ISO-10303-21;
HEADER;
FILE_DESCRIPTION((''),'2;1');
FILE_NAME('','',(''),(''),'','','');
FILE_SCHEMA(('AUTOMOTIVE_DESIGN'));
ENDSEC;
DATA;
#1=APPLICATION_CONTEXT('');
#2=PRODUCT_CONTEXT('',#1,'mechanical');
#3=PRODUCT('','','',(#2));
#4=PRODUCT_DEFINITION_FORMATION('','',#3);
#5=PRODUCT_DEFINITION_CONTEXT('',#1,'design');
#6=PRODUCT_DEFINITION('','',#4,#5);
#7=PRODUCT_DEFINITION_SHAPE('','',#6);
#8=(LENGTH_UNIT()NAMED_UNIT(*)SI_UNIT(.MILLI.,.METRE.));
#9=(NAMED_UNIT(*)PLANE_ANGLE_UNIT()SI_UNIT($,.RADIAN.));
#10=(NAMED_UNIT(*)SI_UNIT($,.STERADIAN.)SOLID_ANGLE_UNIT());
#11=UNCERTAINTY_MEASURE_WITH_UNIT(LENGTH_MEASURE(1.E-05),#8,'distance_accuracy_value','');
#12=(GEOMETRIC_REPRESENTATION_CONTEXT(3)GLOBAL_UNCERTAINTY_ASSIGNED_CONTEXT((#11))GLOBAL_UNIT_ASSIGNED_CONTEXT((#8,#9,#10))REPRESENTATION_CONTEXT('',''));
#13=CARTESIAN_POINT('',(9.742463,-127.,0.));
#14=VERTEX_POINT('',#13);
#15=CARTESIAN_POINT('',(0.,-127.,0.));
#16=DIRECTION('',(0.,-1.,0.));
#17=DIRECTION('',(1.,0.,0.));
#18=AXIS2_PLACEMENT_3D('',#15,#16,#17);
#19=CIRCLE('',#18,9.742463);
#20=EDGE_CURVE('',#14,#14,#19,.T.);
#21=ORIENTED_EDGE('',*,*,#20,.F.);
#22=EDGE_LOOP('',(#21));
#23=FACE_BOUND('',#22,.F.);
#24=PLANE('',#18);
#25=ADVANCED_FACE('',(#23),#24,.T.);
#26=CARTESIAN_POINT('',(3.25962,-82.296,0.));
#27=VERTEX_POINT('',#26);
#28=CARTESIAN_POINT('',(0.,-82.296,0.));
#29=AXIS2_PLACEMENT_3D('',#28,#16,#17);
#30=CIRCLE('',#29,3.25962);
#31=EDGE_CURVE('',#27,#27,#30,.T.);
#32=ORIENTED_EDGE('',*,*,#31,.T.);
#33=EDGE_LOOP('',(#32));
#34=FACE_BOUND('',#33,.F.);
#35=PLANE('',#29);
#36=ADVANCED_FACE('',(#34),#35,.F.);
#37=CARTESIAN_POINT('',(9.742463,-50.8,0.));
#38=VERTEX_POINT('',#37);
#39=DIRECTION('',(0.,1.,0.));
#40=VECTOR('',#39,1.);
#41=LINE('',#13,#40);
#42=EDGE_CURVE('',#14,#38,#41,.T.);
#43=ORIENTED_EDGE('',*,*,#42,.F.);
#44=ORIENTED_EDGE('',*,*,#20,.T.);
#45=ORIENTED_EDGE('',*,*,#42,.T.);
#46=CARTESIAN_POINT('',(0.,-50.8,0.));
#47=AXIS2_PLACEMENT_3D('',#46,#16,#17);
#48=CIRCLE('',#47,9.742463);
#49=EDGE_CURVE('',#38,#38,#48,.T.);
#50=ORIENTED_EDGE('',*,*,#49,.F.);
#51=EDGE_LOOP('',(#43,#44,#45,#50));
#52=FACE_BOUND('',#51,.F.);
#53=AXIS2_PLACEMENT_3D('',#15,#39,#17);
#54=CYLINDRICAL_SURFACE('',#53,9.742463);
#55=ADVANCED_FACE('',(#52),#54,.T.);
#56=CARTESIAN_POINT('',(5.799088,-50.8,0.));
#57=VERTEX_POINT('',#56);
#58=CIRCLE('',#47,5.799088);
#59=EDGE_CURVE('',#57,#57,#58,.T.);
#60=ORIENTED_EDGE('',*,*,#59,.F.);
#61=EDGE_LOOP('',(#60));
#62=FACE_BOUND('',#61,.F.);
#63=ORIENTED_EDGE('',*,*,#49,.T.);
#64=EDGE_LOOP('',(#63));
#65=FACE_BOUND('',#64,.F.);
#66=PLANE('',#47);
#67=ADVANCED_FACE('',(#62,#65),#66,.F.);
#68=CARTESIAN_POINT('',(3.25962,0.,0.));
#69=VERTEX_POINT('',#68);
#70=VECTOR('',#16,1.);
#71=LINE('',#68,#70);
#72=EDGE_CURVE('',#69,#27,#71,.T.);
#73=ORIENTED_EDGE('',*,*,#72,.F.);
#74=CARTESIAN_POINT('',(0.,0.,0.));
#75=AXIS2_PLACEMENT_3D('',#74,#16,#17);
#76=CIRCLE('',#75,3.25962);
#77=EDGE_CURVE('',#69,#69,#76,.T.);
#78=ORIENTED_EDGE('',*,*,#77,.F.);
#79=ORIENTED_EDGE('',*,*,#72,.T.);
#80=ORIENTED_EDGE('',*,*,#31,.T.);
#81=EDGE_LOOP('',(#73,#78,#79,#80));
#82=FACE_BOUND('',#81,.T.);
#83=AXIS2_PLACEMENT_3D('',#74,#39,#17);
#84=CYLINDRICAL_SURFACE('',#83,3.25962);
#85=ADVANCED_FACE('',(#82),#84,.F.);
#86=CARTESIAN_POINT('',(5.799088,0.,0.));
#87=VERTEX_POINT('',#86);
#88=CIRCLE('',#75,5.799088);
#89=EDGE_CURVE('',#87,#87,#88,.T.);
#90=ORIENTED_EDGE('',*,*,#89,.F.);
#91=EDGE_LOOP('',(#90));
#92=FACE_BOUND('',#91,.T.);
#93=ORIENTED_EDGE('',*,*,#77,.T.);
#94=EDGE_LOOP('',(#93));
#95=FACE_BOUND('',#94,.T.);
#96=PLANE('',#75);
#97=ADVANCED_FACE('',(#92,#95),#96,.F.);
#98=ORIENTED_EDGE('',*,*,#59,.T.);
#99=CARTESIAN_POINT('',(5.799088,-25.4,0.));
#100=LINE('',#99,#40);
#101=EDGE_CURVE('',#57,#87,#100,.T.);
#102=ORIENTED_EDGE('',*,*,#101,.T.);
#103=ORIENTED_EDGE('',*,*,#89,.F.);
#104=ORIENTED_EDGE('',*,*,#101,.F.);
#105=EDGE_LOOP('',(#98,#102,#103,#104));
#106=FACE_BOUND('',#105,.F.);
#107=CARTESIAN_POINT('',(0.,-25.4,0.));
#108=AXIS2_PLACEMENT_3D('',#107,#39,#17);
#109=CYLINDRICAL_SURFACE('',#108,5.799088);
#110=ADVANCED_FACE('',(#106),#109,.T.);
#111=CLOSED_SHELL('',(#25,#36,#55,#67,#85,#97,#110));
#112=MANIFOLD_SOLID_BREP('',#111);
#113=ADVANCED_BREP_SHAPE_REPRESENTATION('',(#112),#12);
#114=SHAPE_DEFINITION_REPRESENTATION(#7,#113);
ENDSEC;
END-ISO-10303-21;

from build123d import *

# Parameters (mm, degrees)
F0_W     = 5.799088
F0_H     = 50.8
F2_R     = 3.25962
F3_DEPTH = 82.296


with BuildPart() as f1:
    # F0 (on Top) → F1 (revolve)
    with BuildSketch(Plane.XY):
        with Locations((2.899544, -25.4)):
            Rectangle(F0_W, F0_H)
        Polygon((5.799088, -50.8), (0, -50.8), (0, -127), (9.742463, -127), (9.742463, -50.8), align=None)
    revolve(axis=Axis((0, -63.5, 0), (0, -1, 0)))


with BuildPart() as f3:
    # F2 (on Front) → F3 (new body)
    with BuildSketch(Plane.XZ):
        Circle(F2_R)
    extrude(amount=F3_DEPTH)


with BuildPart() as f1_1:
    add(f1.part)

    # F4: cut F3
    add(f3.part, mode=Mode.SUBTRACT)


solid = f1_1.part
